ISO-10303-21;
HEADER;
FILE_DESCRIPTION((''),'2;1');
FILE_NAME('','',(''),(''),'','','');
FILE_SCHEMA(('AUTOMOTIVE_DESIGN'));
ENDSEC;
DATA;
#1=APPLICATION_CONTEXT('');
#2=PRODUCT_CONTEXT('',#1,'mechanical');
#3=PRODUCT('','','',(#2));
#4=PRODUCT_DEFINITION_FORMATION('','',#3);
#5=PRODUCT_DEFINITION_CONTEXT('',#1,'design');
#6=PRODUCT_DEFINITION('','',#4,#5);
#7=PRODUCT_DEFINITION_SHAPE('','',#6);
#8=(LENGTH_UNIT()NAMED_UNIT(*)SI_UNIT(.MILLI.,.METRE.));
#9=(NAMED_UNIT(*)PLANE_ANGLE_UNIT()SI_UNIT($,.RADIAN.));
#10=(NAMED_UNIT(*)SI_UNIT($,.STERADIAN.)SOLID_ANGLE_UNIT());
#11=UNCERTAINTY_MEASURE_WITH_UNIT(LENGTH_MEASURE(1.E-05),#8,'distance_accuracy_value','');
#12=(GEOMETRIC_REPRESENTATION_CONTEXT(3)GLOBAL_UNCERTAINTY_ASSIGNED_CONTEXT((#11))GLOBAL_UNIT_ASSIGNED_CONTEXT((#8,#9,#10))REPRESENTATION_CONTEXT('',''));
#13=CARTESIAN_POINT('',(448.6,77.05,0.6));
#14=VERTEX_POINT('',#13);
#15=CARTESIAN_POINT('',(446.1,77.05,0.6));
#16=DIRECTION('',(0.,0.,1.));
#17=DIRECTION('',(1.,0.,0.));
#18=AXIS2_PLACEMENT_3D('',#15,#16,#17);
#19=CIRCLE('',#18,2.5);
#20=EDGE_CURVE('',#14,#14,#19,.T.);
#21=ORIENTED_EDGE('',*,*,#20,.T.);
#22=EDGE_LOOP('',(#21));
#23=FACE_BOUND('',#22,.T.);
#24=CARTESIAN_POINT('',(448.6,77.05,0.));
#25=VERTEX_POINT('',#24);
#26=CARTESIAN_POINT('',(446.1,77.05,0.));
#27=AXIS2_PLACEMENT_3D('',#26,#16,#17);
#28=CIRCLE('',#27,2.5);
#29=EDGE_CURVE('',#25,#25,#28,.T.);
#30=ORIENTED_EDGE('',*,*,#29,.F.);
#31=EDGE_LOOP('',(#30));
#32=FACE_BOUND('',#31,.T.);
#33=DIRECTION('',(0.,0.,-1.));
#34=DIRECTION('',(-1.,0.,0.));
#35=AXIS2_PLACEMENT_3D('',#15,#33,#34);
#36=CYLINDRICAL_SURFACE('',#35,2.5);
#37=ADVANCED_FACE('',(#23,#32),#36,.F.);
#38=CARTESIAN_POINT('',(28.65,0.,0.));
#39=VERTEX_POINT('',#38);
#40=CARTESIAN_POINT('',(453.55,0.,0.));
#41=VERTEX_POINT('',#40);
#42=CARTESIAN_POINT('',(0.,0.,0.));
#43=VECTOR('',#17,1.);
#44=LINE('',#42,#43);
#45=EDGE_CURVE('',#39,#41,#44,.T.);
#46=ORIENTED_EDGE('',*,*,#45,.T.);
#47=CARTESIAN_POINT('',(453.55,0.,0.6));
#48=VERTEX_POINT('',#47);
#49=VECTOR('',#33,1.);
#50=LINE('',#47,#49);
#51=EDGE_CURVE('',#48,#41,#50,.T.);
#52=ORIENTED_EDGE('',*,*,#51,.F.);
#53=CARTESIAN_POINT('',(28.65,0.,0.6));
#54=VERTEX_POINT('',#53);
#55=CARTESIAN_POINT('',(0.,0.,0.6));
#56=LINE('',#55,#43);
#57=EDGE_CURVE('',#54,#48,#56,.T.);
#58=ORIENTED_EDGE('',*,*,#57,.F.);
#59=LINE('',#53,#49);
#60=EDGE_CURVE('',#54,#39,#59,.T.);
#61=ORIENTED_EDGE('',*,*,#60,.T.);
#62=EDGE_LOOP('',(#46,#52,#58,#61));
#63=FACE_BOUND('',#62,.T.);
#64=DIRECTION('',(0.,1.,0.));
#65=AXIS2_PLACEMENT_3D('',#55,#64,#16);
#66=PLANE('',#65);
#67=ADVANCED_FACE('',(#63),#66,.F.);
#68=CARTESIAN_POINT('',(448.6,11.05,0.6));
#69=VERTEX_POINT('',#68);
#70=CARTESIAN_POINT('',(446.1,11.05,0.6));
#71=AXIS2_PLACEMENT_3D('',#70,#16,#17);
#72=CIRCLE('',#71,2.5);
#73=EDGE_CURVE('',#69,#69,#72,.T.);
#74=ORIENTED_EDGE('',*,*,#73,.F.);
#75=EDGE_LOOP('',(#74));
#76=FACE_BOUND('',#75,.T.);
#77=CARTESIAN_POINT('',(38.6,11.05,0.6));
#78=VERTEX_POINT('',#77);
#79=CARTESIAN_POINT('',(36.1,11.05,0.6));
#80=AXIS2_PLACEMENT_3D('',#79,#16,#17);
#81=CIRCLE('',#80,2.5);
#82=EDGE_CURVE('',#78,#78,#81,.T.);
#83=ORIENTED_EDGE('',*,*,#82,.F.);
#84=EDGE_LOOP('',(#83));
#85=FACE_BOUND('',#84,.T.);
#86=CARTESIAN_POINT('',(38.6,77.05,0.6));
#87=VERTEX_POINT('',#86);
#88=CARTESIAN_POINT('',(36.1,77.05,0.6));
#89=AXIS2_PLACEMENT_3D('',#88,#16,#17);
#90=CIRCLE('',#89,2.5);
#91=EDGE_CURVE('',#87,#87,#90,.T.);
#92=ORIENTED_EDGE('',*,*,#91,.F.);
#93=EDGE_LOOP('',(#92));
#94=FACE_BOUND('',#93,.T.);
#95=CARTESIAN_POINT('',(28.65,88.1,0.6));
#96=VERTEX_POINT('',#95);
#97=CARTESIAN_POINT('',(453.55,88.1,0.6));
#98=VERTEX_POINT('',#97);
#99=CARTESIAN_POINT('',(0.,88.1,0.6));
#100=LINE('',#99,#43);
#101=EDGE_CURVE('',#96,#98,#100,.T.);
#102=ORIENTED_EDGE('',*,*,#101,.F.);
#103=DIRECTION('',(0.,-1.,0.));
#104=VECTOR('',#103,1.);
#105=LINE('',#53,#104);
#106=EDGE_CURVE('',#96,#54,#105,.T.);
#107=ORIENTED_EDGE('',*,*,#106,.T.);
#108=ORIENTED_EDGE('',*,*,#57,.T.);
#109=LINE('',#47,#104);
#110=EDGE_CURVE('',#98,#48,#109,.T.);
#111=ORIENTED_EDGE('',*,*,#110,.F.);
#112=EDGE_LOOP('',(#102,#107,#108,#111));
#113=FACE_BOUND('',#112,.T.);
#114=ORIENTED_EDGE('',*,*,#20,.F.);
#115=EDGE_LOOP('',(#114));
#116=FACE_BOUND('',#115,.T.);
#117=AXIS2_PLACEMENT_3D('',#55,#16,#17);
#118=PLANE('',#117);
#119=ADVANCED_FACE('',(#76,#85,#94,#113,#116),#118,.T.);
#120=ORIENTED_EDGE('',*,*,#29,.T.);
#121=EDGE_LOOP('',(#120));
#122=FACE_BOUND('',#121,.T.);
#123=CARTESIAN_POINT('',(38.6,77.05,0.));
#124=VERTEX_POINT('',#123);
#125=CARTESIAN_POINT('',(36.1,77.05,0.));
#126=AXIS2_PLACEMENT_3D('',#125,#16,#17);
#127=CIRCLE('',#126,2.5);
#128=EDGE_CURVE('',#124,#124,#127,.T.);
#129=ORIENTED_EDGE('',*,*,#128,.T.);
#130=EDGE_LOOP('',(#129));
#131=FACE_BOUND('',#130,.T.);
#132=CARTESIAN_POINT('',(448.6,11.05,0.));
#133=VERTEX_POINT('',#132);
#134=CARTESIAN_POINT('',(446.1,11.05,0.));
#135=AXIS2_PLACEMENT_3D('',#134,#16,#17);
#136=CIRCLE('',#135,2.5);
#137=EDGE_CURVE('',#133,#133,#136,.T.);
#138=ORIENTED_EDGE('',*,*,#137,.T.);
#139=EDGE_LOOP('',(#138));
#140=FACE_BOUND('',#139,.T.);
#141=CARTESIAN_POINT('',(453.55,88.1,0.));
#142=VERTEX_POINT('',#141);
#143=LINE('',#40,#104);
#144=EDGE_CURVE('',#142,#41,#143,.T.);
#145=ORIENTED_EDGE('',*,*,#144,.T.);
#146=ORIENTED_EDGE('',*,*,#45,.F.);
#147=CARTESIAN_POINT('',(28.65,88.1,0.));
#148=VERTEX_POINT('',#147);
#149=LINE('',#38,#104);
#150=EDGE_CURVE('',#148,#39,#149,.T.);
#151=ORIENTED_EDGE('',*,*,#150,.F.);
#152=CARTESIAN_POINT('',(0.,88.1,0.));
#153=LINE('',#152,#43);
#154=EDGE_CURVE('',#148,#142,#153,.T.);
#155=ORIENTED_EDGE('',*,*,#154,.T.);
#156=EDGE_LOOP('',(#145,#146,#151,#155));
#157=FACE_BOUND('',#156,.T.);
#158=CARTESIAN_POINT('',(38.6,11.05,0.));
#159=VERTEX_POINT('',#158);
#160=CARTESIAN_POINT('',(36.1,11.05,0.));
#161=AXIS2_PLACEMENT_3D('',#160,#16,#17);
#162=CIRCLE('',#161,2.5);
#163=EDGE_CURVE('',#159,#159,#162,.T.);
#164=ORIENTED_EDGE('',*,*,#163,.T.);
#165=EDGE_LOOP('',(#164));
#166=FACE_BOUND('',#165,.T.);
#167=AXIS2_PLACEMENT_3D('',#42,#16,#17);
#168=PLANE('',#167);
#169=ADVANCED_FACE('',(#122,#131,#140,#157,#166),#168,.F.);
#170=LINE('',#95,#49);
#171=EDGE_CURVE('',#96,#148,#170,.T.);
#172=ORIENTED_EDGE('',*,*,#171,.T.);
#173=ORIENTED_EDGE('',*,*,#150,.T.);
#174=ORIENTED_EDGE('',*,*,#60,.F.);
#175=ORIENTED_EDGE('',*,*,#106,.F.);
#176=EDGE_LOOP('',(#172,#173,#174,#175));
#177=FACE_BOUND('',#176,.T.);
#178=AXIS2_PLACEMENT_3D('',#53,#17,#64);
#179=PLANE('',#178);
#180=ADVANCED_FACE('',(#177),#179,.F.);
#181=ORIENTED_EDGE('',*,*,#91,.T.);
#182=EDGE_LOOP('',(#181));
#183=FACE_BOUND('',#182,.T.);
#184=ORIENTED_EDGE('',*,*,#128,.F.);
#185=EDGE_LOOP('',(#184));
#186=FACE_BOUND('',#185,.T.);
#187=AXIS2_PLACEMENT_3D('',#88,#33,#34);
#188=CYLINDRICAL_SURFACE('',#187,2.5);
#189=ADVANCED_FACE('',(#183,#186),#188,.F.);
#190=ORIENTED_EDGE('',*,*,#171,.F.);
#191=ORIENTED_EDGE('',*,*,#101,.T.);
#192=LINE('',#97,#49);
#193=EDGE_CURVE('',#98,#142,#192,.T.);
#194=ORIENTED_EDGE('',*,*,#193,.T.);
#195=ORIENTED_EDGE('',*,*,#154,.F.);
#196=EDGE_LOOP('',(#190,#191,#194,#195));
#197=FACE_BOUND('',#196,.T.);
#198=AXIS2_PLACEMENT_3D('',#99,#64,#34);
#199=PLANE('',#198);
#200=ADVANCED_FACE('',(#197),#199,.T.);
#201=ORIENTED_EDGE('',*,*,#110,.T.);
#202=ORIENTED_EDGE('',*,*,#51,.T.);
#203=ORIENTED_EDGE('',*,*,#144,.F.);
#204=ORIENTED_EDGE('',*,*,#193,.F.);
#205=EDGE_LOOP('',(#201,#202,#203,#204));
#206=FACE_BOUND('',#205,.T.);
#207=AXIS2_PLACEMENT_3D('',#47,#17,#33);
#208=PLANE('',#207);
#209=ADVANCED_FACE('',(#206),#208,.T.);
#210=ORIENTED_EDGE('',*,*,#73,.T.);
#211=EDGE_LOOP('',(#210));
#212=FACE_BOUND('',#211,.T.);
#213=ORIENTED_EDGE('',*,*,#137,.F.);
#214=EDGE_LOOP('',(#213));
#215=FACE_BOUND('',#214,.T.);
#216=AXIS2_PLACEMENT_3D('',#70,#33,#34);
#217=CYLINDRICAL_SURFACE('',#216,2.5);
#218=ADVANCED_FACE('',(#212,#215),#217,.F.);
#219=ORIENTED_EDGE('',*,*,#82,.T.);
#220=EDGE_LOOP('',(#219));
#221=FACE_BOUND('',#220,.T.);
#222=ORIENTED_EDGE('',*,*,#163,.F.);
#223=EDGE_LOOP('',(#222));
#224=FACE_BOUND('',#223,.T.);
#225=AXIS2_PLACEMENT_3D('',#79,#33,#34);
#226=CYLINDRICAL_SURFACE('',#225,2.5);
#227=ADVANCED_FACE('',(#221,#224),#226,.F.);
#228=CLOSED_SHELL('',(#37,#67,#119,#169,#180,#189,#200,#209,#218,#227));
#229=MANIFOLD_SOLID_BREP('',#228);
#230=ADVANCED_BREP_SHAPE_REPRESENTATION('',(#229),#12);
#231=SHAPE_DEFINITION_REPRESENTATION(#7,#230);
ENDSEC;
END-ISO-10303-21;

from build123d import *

# Parameters (mm, degrees)
SKETCH_1_W      = 424.9
SKETCH_1_H      = 88.1
SKETCH_1_R      = 2.5
EXTRUDE_1_DEPTH = 0.6


with BuildPart() as part:
    # Эскиз1 → Бобышка-Вытянуть1 (new body)
    with BuildSketch(Plane.XY):
        with Locations((241.1, 44.05)):
            Rectangle(SKETCH_1_W, SKETCH_1_H)
        with Locations((36.1, 11.05)):
            Circle(SKETCH_1_R, mode=Mode.SUBTRACT)
        with Locations((446.1, 11.05)):
            Circle(SKETCH_1_R, mode=Mode.SUBTRACT)
        with Locations((36.1, 77.05)):
            Circle(SKETCH_1_R, mode=Mode.SUBTRACT)
        with Locations((446.1, 77.05)):
            Circle(SKETCH_1_R, mode=Mode.SUBTRACT)
    extrude(amount=EXTRUDE_1_DEPTH)


solid = part.part
